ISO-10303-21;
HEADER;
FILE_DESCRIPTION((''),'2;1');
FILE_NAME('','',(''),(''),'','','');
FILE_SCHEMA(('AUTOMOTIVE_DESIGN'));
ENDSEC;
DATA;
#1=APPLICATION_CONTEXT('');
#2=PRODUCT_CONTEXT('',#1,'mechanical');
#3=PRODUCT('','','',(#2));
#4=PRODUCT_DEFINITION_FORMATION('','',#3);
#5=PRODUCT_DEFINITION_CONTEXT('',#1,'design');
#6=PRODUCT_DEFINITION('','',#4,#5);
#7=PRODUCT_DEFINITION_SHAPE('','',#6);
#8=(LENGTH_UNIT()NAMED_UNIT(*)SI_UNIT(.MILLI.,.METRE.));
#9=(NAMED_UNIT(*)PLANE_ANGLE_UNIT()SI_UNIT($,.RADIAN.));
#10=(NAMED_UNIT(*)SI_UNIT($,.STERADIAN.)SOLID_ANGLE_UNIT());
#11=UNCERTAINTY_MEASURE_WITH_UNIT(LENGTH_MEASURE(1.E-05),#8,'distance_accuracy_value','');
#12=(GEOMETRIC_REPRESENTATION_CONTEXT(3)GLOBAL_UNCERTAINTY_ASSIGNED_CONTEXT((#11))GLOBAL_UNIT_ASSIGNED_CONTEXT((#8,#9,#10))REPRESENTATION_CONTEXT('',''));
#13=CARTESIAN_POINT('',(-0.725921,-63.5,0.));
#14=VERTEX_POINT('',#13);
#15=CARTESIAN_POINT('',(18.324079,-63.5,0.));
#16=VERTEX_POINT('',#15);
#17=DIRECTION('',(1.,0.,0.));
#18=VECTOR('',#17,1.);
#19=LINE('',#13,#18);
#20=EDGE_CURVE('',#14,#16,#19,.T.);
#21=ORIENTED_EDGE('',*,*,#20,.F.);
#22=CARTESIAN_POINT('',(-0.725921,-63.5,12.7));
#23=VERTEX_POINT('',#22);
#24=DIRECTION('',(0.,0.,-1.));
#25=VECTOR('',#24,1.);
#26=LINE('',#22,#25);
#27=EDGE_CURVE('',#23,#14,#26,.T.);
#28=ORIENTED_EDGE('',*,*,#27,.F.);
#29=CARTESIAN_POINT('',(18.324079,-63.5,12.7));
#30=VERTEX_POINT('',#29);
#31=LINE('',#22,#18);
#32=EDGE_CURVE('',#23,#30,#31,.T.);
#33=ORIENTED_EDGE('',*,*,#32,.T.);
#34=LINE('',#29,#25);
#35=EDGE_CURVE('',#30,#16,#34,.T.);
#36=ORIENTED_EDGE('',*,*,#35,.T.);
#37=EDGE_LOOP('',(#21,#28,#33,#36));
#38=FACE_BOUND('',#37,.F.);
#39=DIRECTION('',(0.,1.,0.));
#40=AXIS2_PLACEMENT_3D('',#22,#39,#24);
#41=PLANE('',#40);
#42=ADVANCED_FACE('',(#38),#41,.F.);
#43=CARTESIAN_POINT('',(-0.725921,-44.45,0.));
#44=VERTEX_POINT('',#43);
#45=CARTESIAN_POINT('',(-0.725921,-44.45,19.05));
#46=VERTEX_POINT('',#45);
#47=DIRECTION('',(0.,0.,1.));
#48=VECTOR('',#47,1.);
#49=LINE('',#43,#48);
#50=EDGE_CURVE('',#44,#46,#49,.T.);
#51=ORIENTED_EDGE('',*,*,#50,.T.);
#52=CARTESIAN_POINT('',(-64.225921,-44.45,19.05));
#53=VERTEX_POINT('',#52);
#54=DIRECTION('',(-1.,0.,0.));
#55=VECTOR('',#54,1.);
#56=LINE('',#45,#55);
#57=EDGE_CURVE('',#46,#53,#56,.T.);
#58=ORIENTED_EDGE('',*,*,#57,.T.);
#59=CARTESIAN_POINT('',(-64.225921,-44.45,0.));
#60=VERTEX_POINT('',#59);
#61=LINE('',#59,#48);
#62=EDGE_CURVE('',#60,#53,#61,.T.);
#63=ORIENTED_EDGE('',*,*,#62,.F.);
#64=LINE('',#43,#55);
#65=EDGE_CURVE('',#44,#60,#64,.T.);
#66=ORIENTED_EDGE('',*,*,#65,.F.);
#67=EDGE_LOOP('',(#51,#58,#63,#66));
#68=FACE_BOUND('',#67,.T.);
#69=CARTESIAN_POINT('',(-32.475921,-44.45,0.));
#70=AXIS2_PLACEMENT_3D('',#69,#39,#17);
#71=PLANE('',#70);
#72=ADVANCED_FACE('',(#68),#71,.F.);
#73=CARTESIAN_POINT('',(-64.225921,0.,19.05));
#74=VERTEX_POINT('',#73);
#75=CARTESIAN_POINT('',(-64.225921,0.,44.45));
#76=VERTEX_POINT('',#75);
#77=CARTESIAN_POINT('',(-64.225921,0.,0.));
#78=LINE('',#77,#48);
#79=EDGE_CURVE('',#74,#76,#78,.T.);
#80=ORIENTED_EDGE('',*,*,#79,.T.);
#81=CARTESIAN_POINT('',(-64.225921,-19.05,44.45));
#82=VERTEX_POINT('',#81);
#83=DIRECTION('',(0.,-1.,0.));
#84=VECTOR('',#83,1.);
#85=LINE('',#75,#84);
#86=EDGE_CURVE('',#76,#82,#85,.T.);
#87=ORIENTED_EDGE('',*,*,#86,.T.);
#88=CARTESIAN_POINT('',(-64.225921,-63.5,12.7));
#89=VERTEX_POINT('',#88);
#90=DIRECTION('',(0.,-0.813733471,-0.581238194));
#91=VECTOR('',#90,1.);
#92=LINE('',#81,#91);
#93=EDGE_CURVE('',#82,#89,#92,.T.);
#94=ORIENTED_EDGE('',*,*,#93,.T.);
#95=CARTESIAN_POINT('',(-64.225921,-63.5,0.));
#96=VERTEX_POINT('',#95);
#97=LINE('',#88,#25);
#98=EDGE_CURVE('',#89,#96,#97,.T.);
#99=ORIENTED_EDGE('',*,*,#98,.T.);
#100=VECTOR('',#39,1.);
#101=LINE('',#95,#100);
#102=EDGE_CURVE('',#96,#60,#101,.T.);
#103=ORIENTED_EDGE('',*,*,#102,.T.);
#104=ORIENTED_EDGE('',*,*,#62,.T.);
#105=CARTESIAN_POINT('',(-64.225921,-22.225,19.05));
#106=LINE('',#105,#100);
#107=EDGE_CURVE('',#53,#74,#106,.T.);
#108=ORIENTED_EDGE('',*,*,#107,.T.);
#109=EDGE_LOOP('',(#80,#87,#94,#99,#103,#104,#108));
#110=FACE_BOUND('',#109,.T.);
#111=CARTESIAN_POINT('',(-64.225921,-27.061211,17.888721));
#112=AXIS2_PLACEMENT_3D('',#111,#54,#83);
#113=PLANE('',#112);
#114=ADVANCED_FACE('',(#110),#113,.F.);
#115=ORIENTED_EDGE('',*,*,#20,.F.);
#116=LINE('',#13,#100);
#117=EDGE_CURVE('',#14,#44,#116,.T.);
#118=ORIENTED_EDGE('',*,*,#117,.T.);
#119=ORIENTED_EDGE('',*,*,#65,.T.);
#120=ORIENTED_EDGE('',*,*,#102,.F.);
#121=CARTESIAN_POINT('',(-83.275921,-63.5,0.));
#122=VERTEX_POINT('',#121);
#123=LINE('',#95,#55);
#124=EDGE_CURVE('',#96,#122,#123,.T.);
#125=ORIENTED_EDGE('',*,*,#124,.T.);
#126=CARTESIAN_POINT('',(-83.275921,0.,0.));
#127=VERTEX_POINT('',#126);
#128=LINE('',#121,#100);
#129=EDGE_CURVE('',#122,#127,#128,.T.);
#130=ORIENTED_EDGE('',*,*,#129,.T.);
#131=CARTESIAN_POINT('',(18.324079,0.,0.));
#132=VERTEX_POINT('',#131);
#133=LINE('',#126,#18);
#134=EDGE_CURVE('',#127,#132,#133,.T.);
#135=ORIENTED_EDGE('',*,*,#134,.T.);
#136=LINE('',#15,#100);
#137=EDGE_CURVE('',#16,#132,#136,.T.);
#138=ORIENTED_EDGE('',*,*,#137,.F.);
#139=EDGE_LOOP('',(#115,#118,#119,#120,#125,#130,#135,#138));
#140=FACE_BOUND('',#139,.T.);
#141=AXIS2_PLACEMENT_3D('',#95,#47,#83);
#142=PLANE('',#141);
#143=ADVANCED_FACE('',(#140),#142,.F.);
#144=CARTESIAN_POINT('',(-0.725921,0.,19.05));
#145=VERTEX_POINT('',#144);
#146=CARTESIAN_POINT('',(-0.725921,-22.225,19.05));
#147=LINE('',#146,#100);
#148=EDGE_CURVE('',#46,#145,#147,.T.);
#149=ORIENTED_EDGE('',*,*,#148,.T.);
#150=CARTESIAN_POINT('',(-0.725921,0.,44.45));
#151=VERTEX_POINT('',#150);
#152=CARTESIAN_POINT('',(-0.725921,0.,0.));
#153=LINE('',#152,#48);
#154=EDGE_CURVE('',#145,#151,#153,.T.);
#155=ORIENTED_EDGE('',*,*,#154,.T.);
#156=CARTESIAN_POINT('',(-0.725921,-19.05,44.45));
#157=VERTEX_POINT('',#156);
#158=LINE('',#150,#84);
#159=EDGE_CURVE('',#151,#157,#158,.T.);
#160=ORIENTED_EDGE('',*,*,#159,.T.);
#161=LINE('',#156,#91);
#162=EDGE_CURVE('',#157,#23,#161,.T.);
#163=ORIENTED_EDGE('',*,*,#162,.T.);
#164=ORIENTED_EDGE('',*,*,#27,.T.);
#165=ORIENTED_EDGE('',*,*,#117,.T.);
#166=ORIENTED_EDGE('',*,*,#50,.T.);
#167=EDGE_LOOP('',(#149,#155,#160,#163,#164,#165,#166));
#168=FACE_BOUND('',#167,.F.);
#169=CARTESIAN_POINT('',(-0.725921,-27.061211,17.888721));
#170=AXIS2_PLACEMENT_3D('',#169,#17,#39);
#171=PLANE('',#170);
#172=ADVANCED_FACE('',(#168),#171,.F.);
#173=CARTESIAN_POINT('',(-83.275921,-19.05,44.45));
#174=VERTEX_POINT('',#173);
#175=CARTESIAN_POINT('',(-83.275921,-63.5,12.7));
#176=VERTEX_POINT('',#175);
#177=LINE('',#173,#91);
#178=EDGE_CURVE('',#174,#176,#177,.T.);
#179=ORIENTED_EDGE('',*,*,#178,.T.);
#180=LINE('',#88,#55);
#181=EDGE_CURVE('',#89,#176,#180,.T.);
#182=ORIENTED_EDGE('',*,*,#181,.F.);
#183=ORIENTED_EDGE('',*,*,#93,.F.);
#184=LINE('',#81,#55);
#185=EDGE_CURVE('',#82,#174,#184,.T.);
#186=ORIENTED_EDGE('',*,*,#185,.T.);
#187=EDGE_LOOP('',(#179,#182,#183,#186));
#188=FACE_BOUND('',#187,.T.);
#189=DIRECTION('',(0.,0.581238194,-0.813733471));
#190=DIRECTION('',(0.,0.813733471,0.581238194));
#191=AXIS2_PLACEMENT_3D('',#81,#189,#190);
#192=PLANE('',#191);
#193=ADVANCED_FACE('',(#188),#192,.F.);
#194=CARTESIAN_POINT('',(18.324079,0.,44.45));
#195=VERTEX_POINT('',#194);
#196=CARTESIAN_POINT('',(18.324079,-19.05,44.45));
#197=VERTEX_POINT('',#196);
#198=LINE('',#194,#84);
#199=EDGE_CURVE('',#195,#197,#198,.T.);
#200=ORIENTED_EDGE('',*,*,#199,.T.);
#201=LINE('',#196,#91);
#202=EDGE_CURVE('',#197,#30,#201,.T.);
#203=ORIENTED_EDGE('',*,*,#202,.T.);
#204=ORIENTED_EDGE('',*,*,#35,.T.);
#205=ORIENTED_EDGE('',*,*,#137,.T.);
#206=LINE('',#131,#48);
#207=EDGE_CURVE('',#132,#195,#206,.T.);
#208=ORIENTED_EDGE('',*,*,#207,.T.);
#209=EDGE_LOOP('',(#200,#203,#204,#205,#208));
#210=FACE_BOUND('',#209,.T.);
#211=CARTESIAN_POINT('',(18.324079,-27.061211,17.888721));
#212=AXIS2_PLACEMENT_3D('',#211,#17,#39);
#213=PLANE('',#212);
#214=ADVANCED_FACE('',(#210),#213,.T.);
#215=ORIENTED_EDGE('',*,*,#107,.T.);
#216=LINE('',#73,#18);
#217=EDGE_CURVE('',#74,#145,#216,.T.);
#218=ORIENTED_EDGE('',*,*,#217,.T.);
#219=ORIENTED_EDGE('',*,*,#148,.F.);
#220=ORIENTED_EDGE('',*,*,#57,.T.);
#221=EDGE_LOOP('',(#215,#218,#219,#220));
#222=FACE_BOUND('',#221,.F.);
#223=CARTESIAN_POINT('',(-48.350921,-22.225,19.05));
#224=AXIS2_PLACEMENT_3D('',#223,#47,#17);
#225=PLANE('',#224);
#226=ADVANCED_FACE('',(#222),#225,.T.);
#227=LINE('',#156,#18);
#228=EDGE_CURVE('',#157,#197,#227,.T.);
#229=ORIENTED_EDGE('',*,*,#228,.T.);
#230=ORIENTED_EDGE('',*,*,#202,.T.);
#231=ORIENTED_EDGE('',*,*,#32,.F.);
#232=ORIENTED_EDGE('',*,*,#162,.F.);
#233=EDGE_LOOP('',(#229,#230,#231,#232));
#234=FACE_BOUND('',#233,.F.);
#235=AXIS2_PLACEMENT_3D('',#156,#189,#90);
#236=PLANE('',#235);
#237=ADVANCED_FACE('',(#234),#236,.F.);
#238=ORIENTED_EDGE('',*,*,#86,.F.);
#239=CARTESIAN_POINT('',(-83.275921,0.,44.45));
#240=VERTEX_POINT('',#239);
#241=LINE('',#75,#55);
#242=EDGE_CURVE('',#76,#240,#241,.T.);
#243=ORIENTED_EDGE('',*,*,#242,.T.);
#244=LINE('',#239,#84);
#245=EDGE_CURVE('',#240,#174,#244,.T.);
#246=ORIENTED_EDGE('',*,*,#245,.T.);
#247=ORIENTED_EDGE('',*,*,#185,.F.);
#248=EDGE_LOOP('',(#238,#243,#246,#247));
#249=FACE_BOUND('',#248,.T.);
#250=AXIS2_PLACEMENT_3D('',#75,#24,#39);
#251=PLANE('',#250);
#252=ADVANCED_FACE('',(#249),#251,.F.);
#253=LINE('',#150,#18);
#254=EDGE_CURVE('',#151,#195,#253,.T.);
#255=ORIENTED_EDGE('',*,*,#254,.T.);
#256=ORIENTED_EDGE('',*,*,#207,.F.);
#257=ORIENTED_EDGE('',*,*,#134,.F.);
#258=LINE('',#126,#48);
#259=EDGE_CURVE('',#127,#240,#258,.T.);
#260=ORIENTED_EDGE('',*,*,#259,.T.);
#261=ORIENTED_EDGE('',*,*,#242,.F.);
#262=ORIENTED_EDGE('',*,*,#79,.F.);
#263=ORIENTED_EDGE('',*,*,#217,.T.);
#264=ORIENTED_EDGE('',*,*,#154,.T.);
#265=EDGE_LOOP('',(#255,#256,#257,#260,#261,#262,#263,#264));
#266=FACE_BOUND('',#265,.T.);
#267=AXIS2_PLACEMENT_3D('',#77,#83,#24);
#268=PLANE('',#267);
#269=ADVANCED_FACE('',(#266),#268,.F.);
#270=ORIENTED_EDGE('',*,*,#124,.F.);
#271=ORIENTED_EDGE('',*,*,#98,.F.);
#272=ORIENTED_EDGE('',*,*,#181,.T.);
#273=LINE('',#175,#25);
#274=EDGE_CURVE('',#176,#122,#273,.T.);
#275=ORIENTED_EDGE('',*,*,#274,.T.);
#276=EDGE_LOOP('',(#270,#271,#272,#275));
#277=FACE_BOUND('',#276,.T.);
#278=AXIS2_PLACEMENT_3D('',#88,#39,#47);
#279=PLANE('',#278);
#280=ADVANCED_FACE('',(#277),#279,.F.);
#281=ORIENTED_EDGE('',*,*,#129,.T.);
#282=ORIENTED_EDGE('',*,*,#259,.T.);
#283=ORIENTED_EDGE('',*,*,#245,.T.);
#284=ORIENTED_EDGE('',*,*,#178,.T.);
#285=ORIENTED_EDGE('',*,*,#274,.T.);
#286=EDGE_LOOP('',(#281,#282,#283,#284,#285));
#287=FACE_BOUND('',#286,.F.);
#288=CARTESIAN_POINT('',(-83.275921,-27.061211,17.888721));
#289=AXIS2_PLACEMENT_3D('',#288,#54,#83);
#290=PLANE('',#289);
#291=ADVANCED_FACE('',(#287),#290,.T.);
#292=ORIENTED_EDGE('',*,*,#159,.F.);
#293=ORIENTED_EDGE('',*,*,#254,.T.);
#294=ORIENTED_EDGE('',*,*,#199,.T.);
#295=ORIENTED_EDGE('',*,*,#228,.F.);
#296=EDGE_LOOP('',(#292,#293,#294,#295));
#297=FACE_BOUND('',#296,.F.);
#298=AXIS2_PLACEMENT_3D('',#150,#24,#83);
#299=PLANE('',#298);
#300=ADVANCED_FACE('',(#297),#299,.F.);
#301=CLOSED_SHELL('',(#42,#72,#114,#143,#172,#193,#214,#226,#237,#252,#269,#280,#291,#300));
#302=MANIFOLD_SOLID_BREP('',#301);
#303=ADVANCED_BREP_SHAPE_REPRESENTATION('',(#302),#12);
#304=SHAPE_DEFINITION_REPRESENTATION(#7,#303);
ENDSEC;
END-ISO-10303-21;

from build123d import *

# Parameters (mm, degrees)
F0_W     = 31.75
F0_H     = 44.45
F1_DEPTH = 19.05
F3_DEPTH = 19.05


with BuildPart() as f1:
    # F0 (on Top) → F1 (new body)
    with BuildSketch(Plane.XY):
        with Locations((-16.600921, -22.225)):
            Rectangle(F0_W, F0_H)
    extrude(amount=F1_DEPTH)

    # F2 (on face) → F3 (join)
    with BuildSketch(Plane.YZ.offset(-0.725921)):
        Polygon((-63.5, 12.7), (-63.5, 0), (0, 0), (0, 44.45), (-19.05, 44.45), align=None)
    extrude(amount=F3_DEPTH)

    # F4: F1 across face


with BuildPart() as f1_1:
    add(f1.part)
    add(f1.part.mirror(Plane(origin=(-32.475921, -22.225, 9.525), x_dir=(0, -1, 0), z_dir=(-1, 0, 0))))


solid = f1_1.part
